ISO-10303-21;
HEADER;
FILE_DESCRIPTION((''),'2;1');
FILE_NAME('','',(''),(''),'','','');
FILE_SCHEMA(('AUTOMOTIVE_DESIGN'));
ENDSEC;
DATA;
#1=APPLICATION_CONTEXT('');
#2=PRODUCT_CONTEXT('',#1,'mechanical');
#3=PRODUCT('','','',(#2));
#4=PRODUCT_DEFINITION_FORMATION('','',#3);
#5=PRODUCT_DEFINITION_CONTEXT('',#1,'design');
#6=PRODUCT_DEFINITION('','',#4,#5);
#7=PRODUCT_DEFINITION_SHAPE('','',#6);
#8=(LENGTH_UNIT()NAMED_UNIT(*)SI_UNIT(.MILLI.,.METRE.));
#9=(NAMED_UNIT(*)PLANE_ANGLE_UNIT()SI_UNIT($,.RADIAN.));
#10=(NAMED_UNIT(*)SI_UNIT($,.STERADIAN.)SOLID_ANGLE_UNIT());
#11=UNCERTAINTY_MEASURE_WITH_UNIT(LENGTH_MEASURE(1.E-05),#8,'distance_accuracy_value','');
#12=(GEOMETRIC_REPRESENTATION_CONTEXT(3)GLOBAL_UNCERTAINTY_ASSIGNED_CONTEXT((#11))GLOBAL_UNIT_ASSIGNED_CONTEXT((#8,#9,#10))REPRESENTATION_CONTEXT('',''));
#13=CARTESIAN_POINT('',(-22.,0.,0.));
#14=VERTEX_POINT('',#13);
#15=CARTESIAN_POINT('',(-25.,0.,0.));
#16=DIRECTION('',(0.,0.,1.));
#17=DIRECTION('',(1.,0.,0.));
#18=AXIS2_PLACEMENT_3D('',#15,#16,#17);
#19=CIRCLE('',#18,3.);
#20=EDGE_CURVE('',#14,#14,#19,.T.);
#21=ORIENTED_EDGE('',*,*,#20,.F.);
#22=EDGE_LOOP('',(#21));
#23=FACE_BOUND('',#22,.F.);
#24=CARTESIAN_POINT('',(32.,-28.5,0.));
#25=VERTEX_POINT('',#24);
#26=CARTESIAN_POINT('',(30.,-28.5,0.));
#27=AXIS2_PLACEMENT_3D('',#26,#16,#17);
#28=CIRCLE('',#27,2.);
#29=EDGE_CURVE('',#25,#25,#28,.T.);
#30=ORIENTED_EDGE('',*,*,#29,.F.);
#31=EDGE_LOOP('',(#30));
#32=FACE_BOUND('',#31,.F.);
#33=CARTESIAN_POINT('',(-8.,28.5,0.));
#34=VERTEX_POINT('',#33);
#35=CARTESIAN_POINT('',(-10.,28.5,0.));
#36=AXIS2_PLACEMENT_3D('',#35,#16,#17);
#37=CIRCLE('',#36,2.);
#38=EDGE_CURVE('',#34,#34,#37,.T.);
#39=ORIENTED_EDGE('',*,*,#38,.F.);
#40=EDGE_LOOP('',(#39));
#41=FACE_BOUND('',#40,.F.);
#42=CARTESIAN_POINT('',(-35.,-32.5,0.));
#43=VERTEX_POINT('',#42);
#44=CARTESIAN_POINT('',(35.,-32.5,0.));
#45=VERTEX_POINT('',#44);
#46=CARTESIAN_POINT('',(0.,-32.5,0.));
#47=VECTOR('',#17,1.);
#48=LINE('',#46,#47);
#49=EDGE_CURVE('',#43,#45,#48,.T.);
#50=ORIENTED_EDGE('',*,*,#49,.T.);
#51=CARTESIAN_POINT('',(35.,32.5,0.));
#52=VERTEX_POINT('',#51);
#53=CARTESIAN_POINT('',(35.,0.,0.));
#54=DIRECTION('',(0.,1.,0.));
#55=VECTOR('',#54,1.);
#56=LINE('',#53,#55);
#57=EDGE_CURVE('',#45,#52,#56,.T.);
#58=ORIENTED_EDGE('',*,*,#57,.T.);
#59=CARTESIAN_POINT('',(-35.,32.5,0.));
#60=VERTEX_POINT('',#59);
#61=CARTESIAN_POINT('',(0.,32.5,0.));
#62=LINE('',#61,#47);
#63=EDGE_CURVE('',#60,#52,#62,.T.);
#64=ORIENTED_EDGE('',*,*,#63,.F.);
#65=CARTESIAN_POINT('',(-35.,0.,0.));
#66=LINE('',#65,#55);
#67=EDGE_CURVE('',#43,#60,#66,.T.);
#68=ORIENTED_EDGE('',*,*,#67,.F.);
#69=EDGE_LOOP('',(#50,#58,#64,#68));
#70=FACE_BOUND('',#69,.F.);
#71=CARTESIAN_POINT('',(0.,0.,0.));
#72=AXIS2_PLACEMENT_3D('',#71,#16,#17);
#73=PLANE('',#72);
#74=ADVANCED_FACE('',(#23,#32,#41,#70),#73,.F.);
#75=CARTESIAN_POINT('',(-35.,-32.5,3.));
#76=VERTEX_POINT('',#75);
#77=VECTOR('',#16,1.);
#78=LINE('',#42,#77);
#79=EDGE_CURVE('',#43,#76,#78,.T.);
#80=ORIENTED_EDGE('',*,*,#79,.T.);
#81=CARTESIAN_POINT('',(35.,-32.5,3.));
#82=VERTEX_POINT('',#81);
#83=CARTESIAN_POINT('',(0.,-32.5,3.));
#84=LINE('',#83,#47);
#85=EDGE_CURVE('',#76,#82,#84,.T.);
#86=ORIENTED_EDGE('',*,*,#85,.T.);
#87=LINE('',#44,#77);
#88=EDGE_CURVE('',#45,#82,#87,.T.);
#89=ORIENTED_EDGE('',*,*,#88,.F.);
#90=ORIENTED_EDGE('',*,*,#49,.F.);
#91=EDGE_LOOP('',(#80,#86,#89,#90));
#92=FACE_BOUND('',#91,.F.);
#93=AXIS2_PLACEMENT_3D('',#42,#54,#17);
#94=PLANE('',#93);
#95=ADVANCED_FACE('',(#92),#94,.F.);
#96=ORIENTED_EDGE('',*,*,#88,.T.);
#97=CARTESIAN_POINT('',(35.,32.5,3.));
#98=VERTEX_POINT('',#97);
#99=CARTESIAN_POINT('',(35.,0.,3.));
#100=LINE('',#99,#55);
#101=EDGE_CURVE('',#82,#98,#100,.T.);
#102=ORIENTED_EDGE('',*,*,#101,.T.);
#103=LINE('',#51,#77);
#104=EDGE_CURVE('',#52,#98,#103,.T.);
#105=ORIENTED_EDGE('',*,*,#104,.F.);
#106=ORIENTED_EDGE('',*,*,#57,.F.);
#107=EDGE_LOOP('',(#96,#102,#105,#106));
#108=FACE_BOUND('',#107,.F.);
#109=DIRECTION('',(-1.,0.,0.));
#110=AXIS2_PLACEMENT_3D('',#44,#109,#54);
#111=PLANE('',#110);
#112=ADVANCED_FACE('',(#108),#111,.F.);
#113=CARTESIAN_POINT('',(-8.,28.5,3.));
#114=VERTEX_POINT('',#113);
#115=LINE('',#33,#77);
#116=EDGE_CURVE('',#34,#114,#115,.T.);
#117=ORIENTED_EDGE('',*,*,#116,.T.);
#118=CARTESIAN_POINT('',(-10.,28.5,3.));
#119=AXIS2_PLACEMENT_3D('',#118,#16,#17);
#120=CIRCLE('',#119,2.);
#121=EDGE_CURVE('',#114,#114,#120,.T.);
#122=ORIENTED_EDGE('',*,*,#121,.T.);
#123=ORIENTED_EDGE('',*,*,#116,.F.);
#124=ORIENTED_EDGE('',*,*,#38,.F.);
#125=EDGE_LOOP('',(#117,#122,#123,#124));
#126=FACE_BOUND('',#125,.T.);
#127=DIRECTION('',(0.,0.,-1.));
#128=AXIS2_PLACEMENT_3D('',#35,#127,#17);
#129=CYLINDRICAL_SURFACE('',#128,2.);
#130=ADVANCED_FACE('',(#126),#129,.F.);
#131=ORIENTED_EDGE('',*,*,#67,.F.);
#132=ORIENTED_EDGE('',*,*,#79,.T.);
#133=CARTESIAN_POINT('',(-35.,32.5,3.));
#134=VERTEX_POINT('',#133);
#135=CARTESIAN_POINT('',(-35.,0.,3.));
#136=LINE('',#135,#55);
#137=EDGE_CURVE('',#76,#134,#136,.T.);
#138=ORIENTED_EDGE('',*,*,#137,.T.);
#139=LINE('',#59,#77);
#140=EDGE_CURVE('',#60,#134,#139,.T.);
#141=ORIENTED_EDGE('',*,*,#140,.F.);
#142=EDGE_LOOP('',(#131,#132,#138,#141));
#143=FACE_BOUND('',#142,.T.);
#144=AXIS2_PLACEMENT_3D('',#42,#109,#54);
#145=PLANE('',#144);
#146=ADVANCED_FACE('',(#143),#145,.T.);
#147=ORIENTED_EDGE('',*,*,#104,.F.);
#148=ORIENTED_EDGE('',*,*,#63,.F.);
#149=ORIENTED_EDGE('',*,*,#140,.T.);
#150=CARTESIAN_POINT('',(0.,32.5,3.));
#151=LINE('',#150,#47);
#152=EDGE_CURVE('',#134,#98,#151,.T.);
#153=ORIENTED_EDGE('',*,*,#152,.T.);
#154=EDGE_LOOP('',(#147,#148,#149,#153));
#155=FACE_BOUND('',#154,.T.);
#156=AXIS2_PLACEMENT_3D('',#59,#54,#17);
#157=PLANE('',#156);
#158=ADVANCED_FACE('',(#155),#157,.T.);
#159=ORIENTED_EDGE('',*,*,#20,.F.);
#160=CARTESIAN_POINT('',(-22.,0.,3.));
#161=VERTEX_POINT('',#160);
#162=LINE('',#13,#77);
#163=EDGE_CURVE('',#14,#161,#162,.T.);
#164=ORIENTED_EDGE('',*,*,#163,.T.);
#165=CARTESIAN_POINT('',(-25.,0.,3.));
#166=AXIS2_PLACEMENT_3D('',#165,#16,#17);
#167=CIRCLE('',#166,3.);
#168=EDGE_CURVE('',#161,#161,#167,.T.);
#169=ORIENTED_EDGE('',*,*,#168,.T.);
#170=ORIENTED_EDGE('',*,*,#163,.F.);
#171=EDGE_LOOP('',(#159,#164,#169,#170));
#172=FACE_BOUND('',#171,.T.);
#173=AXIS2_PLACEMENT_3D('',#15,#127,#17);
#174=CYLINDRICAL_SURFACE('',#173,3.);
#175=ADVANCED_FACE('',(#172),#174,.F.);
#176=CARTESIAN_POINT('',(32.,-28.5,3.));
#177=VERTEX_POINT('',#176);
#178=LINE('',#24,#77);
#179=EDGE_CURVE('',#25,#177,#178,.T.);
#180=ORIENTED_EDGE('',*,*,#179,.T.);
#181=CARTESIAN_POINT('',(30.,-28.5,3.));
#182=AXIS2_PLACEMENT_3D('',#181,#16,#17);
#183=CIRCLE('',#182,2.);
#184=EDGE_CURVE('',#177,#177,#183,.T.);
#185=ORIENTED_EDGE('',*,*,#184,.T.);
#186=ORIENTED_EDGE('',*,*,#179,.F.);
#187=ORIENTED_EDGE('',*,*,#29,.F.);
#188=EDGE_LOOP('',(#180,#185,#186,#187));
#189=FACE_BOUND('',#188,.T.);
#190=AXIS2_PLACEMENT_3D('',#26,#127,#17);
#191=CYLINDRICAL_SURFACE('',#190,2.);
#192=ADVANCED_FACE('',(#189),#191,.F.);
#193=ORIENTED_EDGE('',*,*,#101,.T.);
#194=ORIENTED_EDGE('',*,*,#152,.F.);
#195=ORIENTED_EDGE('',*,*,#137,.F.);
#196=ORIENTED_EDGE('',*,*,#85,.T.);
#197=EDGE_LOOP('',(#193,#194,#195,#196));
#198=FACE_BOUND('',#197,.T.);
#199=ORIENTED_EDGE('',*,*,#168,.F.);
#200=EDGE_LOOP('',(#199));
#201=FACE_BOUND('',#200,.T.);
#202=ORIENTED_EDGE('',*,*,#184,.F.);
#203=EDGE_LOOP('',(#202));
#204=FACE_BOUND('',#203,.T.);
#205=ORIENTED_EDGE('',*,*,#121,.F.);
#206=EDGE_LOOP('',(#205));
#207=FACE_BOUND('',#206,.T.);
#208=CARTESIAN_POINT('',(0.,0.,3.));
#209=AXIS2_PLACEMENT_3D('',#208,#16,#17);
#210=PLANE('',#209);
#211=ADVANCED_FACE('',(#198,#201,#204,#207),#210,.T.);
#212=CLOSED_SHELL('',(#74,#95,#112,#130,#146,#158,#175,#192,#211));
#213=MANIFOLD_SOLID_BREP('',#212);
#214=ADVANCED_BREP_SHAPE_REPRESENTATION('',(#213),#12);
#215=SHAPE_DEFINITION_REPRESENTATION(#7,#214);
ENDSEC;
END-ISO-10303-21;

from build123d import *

# Parameters (mm, degrees)
F0_W     = 70
F0_H     = 65
F0_R     = 2
F0_R_2   = 3
F1_DEPTH = 3


with BuildPart() as f1:
    # F0 (on Top) → F1 (new body)
    with BuildSketch(Plane.XY):
        Rectangle(F0_W, F0_H)
        with Locations((30, -28.5)):
            Circle(F0_R, mode=Mode.SUBTRACT)
        with Locations((-25, 0)):
            Circle(F0_R_2, mode=Mode.SUBTRACT)
        with Locations((-10, 28.5)):
            Circle(F0_R, mode=Mode.SUBTRACT)
    extrude(amount=F1_DEPTH)


solid = f1.part
